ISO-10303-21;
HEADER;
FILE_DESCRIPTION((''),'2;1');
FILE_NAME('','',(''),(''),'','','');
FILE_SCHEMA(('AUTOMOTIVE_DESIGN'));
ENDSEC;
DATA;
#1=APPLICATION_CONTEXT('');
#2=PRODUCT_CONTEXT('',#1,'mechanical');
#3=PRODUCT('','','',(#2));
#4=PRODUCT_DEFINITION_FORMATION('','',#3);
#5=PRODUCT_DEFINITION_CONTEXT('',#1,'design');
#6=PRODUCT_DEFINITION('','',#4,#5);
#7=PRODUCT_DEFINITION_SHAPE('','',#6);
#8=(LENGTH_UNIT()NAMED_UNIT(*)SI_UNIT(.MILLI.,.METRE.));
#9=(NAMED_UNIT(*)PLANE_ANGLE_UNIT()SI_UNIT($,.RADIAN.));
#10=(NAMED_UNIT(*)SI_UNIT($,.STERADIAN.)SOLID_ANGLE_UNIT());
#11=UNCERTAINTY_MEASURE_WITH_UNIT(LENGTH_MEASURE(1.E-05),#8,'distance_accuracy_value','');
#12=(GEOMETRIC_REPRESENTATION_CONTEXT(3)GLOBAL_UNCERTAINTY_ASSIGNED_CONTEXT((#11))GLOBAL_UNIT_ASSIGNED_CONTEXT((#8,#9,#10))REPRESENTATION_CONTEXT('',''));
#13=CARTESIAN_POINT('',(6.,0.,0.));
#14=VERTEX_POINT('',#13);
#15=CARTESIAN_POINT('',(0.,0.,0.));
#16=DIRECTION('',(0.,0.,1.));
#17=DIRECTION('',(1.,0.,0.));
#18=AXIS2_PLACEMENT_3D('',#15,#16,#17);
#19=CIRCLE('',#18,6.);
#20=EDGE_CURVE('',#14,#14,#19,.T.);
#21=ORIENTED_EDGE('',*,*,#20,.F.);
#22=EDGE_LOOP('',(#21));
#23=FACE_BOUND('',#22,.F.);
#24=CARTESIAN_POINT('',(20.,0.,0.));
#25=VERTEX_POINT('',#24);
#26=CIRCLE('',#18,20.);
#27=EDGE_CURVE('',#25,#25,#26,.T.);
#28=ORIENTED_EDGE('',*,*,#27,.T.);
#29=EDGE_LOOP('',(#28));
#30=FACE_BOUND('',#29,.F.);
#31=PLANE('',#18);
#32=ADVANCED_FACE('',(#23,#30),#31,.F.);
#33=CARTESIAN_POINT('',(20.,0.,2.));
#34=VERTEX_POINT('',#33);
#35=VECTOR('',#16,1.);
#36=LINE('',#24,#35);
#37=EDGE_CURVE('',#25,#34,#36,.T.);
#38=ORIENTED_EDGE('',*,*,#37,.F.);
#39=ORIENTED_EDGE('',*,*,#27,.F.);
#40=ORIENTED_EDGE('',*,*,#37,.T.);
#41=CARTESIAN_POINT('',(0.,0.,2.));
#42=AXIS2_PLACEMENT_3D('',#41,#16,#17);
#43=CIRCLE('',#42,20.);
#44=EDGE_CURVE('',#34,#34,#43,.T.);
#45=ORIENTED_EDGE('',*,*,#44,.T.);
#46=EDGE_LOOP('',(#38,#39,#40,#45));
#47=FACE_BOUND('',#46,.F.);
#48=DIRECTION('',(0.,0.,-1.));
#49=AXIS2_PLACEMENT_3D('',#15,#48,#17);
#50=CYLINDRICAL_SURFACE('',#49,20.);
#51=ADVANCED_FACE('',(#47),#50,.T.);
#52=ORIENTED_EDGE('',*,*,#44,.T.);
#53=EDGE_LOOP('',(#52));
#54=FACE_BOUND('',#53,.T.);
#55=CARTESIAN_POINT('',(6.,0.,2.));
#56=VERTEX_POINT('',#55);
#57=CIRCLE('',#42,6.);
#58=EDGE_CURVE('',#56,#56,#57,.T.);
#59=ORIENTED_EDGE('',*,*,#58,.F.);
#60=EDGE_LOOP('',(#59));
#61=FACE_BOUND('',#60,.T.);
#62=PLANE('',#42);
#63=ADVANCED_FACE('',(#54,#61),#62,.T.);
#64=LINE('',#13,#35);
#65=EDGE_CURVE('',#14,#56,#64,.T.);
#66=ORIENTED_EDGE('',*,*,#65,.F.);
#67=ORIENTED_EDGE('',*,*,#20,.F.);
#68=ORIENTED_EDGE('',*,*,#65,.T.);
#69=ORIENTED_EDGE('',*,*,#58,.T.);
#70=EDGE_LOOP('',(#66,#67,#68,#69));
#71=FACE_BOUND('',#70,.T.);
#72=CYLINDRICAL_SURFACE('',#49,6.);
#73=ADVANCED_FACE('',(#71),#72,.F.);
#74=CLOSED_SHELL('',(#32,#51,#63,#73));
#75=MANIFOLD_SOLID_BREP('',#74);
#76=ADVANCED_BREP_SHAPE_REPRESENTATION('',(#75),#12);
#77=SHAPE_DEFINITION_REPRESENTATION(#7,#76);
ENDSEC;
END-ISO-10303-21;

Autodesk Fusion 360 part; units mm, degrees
sketch "Esquisse1" plane through (0, 0, 0) normal (0, 0, 1) x (1, 0, 0)
  circle A0 centre (0, 0) radius 6
  circle A1 centre (0, 0) radius 20
  dimension "d1" = 12
  dimension "d2" = 40
extrude "Extrusion1" add sketch "Esquisse1" along normal blind 2
